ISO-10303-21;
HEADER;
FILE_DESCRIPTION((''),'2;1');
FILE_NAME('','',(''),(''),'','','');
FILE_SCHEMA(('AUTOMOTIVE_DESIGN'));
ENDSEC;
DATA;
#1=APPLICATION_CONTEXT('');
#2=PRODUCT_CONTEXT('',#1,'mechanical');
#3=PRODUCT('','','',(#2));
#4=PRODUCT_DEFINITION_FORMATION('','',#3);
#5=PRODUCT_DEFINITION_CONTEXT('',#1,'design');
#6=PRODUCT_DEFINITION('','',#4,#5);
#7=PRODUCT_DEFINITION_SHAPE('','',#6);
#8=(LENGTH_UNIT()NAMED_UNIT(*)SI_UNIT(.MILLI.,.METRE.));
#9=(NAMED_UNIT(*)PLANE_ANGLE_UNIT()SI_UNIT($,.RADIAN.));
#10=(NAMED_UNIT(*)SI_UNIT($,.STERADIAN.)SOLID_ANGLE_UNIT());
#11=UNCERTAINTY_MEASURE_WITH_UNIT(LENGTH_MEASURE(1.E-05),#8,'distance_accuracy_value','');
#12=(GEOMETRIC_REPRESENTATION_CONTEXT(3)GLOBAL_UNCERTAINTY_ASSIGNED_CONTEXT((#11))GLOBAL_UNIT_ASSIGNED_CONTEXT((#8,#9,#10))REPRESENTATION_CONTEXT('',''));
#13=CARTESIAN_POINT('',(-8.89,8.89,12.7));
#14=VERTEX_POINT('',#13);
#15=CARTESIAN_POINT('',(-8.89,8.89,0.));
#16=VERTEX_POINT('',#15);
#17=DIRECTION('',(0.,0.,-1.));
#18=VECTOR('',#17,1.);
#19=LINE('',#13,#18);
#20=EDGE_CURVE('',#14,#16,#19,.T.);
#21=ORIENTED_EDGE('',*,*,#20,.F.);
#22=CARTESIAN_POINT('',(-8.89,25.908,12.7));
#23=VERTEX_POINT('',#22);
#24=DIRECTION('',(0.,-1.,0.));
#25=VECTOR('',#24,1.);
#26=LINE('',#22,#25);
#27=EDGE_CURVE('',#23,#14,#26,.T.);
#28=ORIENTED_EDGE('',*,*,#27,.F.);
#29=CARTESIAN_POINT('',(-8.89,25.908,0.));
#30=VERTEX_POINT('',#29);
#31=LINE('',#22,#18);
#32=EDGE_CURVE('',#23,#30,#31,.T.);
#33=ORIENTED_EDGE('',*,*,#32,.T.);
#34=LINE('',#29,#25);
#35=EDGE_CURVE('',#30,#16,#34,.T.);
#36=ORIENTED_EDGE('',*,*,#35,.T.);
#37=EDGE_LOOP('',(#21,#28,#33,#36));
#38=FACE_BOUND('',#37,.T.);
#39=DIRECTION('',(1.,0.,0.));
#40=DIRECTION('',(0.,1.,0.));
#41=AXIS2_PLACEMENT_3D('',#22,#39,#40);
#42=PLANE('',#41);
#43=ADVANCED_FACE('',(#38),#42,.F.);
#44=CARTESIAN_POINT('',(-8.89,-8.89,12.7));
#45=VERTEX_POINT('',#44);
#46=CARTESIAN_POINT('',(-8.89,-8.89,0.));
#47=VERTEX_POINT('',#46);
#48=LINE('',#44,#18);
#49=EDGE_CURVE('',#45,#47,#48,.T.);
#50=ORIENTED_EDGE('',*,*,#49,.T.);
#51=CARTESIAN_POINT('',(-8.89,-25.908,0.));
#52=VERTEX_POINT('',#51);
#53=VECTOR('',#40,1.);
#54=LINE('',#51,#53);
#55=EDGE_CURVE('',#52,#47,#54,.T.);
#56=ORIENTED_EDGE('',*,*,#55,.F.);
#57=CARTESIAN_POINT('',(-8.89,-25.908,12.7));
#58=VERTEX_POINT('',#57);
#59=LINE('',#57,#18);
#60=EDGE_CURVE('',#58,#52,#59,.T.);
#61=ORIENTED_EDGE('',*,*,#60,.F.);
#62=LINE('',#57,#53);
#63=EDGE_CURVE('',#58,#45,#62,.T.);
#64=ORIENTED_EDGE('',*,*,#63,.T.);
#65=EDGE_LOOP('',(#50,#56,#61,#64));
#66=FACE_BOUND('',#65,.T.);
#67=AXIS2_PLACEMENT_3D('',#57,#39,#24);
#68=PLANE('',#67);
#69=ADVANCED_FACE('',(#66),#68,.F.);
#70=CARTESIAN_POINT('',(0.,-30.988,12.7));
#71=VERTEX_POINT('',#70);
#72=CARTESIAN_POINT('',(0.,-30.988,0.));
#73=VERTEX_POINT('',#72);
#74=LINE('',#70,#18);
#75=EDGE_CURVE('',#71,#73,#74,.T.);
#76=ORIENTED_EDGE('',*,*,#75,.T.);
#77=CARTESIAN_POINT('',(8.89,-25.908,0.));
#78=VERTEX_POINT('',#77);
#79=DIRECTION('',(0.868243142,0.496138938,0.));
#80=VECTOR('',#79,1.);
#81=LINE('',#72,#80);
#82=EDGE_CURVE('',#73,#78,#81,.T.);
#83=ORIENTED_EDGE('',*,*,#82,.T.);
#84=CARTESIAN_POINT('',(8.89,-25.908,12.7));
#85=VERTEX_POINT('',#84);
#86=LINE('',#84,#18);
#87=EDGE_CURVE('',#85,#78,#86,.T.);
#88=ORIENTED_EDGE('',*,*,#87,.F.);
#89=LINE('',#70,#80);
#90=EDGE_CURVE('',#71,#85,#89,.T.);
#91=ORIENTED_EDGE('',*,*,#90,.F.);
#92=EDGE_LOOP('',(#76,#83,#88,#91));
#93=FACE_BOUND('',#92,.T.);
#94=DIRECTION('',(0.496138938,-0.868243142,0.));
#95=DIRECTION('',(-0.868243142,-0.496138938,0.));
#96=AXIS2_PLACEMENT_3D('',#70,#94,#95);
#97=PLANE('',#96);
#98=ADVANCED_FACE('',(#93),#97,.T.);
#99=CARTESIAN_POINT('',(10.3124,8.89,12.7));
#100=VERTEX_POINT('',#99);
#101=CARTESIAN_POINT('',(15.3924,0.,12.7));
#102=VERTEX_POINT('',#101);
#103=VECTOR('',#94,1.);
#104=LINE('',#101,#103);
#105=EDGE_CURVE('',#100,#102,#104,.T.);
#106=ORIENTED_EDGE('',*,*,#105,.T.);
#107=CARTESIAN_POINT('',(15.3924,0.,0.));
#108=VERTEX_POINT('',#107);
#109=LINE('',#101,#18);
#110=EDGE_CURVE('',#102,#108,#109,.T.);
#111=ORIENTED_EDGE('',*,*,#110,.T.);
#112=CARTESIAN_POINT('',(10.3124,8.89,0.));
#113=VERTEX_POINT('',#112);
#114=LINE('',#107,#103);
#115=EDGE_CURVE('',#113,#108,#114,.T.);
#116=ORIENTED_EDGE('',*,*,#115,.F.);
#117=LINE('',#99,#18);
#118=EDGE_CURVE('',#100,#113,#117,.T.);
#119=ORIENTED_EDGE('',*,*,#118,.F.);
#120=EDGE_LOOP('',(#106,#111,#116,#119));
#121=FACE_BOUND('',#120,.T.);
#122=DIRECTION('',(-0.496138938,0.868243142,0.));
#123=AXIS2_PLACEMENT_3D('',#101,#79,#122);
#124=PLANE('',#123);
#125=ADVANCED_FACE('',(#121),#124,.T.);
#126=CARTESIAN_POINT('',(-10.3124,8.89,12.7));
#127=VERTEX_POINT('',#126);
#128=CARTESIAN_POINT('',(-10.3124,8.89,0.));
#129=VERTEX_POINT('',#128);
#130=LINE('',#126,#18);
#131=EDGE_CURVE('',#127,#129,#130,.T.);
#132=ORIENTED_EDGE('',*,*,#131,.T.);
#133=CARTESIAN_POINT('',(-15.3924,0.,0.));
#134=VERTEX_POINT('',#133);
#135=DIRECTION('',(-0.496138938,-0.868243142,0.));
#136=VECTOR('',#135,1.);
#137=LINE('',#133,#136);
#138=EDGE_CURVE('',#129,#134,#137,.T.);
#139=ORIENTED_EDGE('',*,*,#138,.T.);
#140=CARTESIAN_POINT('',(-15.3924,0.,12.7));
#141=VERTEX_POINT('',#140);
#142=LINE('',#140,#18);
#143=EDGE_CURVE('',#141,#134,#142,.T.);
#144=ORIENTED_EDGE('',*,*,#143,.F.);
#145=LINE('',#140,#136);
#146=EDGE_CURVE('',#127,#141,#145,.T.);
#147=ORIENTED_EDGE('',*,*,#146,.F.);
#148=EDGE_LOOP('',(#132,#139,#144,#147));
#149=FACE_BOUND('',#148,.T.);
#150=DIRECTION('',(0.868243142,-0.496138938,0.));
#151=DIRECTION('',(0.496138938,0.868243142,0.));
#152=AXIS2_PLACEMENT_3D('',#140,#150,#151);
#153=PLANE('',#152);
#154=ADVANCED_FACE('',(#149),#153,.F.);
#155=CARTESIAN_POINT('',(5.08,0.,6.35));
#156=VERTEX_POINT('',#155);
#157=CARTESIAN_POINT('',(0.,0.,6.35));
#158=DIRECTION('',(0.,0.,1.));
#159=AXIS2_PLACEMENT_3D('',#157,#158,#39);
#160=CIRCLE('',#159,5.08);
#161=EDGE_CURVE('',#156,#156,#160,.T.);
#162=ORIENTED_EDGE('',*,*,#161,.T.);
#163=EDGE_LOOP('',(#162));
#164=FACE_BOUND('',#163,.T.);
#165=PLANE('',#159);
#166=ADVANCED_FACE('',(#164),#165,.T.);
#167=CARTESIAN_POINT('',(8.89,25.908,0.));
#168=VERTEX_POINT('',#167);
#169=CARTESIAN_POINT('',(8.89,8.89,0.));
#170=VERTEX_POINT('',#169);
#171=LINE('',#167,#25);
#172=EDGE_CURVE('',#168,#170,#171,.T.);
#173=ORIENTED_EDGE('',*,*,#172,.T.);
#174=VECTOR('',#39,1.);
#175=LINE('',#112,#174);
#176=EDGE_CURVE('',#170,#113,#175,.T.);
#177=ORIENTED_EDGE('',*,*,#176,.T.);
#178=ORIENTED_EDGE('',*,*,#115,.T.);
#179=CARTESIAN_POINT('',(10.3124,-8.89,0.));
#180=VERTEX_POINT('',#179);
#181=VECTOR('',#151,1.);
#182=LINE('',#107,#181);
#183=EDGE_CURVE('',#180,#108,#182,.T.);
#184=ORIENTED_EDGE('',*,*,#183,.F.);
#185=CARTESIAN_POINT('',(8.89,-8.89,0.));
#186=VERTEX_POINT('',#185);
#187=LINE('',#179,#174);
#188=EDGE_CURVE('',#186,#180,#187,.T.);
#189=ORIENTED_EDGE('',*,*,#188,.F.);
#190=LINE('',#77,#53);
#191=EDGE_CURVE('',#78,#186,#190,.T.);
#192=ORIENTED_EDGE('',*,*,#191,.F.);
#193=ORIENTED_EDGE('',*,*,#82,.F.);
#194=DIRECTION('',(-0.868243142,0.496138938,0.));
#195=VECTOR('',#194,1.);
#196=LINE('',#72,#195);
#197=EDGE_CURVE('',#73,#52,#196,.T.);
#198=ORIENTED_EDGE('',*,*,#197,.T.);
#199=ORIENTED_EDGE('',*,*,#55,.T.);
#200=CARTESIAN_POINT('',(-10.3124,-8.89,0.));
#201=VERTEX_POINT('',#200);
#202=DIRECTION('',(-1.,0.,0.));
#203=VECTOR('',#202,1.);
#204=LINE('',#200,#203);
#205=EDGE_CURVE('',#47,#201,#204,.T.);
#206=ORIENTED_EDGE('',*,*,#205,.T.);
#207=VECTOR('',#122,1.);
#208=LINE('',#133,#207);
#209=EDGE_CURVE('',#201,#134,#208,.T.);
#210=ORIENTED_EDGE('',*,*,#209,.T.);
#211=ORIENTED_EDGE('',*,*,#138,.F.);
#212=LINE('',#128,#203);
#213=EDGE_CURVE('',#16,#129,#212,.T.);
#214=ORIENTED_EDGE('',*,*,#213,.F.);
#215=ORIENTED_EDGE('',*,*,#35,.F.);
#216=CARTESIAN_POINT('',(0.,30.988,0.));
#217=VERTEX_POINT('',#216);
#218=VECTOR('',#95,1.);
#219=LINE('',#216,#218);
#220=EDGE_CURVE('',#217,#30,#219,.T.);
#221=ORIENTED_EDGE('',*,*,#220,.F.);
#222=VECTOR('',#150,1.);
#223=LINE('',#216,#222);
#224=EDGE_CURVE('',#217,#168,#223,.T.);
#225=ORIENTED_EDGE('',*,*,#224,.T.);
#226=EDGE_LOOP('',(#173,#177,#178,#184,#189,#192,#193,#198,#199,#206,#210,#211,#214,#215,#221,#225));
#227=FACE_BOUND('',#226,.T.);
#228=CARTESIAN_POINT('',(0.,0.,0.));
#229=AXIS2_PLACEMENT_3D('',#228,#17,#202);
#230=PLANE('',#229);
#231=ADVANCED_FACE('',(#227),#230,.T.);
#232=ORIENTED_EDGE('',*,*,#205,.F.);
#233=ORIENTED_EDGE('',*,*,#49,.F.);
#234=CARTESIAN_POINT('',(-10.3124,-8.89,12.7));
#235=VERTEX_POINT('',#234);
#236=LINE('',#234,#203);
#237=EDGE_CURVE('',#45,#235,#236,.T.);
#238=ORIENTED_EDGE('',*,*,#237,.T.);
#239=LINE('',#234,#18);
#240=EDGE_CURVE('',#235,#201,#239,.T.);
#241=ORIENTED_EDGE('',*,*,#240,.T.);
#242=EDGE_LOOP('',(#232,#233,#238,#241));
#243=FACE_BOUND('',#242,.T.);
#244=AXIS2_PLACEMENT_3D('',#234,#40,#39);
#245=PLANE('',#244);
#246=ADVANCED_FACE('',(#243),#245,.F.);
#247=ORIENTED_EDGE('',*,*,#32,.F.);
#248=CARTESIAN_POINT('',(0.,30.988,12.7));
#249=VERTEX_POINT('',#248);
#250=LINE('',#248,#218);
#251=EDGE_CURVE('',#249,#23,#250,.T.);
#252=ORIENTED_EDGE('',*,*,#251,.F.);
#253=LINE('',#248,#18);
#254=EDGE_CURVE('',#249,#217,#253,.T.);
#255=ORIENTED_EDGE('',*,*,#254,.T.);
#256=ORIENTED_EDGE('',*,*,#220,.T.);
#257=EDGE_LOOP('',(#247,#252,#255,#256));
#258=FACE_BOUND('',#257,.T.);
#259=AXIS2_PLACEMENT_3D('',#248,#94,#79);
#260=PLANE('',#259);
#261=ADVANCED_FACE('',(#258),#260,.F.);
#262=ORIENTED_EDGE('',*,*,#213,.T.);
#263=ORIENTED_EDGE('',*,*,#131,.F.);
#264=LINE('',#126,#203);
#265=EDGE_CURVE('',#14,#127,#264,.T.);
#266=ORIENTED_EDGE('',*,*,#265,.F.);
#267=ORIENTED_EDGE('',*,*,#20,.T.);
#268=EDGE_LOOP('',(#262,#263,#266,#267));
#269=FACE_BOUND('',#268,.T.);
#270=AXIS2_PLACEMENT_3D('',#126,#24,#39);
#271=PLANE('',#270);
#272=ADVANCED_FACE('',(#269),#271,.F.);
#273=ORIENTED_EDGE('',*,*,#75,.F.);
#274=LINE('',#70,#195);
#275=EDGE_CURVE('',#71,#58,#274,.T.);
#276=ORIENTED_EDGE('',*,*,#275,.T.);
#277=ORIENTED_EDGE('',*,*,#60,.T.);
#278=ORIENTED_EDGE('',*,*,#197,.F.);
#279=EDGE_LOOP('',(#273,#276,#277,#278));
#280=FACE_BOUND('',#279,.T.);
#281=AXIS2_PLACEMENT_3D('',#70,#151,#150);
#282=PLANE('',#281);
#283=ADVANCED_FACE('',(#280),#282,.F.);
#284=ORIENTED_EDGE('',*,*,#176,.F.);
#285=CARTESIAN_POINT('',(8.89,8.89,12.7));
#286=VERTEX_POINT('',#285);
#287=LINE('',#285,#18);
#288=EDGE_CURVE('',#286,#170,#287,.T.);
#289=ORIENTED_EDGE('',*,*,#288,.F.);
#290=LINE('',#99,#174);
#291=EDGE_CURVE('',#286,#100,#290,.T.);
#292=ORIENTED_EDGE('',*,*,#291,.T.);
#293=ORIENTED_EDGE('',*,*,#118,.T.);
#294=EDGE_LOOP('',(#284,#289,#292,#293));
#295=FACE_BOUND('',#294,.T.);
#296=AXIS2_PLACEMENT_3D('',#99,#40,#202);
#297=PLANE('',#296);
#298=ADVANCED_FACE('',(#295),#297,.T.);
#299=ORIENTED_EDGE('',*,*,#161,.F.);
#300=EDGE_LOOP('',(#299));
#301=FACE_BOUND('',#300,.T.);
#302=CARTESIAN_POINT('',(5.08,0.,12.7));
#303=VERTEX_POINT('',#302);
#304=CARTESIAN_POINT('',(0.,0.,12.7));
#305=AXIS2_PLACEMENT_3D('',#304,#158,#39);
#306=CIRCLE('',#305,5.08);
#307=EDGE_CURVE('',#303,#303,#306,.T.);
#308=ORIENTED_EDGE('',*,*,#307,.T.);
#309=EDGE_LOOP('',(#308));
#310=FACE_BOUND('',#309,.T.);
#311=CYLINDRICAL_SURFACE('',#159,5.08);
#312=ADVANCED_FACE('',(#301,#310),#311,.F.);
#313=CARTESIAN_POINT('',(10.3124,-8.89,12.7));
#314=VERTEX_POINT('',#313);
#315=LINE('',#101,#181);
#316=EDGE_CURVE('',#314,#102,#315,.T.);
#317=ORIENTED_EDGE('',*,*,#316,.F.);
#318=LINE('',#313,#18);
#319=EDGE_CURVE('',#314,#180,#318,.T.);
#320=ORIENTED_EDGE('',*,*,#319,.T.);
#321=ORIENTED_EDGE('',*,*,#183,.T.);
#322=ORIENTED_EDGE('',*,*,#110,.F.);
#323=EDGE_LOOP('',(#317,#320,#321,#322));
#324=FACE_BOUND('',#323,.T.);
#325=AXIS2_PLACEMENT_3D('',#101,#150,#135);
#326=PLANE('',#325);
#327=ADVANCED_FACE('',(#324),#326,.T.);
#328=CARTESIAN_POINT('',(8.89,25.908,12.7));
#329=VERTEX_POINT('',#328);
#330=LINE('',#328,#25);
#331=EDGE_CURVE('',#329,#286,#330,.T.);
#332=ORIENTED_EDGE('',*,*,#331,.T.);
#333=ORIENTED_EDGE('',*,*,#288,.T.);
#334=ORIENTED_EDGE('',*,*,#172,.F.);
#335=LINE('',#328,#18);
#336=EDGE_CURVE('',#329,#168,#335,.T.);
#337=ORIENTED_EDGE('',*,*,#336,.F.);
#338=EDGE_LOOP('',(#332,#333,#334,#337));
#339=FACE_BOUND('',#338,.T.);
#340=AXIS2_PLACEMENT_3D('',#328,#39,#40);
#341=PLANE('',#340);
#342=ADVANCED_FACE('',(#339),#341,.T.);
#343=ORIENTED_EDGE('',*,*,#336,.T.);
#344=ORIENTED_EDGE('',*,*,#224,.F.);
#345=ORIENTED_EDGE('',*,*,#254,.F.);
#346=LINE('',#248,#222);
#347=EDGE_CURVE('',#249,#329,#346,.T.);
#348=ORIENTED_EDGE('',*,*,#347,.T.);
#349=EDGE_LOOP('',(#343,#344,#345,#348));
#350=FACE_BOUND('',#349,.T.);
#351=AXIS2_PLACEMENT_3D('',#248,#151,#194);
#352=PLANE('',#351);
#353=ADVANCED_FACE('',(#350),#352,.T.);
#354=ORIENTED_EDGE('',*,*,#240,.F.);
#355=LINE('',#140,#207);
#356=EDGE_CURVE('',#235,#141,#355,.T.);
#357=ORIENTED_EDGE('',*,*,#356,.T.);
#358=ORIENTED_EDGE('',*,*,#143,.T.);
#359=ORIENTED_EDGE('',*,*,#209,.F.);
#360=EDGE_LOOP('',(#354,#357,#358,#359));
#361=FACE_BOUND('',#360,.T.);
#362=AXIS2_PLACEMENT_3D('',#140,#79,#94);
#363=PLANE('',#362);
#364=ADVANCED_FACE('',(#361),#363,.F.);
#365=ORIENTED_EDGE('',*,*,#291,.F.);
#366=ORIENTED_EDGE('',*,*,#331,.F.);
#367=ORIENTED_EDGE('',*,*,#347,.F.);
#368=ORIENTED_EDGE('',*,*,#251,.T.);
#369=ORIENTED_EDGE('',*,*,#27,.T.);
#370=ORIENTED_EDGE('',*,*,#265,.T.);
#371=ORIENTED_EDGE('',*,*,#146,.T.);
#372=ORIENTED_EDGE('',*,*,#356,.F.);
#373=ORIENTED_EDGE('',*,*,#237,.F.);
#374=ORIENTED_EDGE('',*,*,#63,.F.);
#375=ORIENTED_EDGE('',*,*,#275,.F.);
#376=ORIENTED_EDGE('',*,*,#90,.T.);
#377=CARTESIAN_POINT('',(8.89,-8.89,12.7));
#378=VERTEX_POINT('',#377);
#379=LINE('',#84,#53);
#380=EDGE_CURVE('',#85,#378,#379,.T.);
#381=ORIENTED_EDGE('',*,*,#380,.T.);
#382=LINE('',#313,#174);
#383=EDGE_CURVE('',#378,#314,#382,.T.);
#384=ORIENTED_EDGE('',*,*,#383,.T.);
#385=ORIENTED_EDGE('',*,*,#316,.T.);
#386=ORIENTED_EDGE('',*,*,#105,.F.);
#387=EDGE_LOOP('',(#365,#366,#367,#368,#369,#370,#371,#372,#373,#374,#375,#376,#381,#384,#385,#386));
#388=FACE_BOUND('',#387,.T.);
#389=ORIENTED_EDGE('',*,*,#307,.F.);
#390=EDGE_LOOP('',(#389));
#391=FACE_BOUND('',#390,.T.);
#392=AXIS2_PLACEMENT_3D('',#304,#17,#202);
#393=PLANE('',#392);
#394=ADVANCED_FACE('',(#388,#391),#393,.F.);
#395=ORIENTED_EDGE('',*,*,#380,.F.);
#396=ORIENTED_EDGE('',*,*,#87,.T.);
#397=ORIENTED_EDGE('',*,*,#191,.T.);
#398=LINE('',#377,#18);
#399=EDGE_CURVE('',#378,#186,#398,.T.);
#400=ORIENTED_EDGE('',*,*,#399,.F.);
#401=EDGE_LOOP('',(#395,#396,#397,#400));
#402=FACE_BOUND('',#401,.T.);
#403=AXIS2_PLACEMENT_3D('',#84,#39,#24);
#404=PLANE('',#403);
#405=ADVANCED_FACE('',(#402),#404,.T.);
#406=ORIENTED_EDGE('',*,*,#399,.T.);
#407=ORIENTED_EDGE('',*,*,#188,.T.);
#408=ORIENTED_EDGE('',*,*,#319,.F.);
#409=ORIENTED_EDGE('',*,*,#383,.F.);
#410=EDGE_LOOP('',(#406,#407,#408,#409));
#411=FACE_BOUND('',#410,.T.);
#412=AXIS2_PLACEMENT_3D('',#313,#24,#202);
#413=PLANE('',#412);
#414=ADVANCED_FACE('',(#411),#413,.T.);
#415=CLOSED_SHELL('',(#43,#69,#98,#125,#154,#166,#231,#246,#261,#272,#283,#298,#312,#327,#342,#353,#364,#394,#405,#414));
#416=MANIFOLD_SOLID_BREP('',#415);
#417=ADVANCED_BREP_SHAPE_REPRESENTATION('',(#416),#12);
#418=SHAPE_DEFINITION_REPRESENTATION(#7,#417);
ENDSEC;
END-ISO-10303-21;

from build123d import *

# Parameters (mm, degrees)
BOSS_EXTRUDE1_DEPTH  = 12.7
MIRROR2_COPY_1_DEPTH = 12.7
SKETCH2_R            = 5.08
CUT_EXTRUDE1_DEPTH   = 6.35


with BuildPart() as part:
    # Sketch1 → Boss-Extrude1 (new body)
    with BuildSketch(Plane.XY):
        Polygon((0, 0), (-15.3924, 0), (-10.3124, 8.89), (-8.89, 8.89), (-8.89, 25.908), (0, 30.988), align=None)
    boss_extrude1 = extrude(amount=BOSS_EXTRUDE1_DEPTH)

    # Mirror1: Boss-Extrude1 across plane
    add(boss_extrude1.mirror(Plane(origin=(0, 30.988, 12.7), x_dir=(0, 0, 1), z_dir=(-1, 0, 0))))

    # Mirror2: Boss-Extrude1 across plane
    add(boss_extrude1.mirror(Plane(origin=(0, 0, 12.7), x_dir=(0, 0, 1), z_dir=(0, 1, 0))))

    # Mirror2 copy 1 sketch → Mirror2 copy 1 (add)
    with BuildSketch(Plane(origin=(0, 0, 0), x_dir=(-1, 0, 0), z_dir=(0, 0, 1))):
        Polygon((0, 0), (-15.3924, 0), (-10.3124, 8.89), (-8.89, 8.89), (-8.89, 25.908), (0, 30.988), align=None)
    extrude(amount=MIRROR2_COPY_1_DEPTH)

    # Sketch2 → Cut-Extrude1 (cut)
    with BuildSketch(Plane.XY.offset(12.7)):
        Circle(SKETCH2_R)
    extrude(amount=-CUT_EXTRUDE1_DEPTH, mode=Mode.SUBTRACT)


solid = part.part
